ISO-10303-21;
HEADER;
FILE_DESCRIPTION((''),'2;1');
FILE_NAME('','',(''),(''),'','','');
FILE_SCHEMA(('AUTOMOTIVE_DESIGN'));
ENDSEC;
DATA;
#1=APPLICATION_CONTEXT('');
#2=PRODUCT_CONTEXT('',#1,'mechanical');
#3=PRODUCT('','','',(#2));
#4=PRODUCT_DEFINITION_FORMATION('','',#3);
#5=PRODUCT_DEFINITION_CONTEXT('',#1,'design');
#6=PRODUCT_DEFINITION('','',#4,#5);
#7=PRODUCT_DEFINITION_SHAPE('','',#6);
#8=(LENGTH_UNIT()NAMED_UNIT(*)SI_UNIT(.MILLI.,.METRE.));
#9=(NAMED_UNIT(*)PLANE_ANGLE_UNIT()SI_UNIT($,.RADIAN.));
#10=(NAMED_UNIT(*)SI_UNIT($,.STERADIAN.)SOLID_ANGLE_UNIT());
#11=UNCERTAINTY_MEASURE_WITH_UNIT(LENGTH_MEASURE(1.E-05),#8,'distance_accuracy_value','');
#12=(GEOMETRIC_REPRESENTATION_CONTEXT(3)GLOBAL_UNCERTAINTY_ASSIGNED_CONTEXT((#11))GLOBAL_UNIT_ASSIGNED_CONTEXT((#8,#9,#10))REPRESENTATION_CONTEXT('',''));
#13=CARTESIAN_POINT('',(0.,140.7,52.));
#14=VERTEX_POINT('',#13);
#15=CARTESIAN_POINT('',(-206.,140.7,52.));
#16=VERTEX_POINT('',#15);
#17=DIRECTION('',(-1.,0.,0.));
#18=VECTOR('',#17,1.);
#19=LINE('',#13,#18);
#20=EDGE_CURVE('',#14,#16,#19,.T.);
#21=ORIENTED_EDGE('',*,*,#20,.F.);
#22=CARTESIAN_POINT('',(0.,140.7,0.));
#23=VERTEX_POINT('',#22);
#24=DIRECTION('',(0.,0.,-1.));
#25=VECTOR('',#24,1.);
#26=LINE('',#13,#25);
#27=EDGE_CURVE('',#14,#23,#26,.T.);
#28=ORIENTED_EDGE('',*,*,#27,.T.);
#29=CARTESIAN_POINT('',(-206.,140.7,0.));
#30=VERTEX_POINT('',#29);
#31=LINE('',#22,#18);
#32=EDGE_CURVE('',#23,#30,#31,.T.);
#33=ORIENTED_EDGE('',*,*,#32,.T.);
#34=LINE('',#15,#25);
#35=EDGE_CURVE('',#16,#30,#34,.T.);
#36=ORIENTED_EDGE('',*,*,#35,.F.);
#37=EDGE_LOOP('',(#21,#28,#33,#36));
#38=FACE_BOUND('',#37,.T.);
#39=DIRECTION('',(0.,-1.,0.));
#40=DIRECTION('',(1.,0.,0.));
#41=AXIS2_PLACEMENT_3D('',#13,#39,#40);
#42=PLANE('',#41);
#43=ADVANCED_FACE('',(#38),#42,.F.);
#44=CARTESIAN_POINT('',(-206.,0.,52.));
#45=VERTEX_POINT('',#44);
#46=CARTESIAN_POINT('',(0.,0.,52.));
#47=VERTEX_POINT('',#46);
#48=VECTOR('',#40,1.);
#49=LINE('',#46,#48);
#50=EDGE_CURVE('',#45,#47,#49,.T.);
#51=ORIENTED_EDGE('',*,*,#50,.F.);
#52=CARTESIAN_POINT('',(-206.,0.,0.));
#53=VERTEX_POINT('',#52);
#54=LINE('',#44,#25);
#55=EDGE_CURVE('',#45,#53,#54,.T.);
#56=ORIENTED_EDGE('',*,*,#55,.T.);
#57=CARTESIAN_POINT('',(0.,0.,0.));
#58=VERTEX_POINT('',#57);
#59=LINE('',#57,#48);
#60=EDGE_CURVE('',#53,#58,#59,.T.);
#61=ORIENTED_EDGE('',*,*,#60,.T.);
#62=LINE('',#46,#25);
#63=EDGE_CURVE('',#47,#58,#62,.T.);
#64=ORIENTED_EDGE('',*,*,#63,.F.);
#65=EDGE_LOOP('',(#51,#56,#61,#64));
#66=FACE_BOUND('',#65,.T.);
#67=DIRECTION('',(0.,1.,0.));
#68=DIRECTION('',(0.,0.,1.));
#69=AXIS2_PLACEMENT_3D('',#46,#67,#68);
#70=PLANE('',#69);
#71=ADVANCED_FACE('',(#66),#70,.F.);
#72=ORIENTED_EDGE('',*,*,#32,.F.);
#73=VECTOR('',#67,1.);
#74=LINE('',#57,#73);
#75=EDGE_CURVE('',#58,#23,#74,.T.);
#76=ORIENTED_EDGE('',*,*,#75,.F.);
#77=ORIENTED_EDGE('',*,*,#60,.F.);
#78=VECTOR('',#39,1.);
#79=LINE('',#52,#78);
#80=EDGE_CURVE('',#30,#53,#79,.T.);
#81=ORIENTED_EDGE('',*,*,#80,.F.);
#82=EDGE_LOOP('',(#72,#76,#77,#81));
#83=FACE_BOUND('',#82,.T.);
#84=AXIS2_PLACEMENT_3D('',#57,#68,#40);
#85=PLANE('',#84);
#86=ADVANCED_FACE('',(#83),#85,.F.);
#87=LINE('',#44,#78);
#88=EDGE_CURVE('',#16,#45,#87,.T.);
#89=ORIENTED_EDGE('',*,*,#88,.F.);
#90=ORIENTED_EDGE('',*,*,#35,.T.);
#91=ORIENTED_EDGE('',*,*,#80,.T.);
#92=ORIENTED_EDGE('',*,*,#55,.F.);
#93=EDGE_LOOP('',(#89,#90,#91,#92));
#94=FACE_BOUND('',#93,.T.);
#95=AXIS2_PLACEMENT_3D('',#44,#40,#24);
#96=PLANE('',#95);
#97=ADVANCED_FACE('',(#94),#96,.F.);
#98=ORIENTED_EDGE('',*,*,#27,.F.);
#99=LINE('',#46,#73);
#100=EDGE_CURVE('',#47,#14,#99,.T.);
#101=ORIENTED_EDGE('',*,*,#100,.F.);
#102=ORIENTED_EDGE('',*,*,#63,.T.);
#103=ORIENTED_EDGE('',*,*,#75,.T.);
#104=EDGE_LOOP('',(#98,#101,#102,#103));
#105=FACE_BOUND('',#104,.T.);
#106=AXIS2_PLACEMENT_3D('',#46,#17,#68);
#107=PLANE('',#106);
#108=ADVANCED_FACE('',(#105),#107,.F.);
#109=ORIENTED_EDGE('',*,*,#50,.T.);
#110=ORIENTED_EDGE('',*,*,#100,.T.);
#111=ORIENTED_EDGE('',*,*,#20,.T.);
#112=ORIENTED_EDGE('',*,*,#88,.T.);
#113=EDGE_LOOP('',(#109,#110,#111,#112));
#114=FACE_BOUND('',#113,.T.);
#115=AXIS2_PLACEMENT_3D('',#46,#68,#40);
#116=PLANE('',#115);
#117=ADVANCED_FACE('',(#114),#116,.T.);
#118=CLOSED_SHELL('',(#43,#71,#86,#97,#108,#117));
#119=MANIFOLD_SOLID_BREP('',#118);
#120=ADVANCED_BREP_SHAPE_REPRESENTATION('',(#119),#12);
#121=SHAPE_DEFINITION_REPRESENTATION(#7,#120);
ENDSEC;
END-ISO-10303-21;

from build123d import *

# Parameters (mm, degrees)
SKETCH_1_W      = 206
SKETCH_1_H      = 140.7
EXTRUDE_1_DEPTH = 52


with BuildPart() as part:
    # 草图1 → 凸台-拉伸1 (new body)
    with BuildSketch(Plane.XY):
        with Locations((-103, 70.35)):
            Rectangle(SKETCH_1_W, SKETCH_1_H)
    extrude(amount=EXTRUDE_1_DEPTH)


solid = part.part
